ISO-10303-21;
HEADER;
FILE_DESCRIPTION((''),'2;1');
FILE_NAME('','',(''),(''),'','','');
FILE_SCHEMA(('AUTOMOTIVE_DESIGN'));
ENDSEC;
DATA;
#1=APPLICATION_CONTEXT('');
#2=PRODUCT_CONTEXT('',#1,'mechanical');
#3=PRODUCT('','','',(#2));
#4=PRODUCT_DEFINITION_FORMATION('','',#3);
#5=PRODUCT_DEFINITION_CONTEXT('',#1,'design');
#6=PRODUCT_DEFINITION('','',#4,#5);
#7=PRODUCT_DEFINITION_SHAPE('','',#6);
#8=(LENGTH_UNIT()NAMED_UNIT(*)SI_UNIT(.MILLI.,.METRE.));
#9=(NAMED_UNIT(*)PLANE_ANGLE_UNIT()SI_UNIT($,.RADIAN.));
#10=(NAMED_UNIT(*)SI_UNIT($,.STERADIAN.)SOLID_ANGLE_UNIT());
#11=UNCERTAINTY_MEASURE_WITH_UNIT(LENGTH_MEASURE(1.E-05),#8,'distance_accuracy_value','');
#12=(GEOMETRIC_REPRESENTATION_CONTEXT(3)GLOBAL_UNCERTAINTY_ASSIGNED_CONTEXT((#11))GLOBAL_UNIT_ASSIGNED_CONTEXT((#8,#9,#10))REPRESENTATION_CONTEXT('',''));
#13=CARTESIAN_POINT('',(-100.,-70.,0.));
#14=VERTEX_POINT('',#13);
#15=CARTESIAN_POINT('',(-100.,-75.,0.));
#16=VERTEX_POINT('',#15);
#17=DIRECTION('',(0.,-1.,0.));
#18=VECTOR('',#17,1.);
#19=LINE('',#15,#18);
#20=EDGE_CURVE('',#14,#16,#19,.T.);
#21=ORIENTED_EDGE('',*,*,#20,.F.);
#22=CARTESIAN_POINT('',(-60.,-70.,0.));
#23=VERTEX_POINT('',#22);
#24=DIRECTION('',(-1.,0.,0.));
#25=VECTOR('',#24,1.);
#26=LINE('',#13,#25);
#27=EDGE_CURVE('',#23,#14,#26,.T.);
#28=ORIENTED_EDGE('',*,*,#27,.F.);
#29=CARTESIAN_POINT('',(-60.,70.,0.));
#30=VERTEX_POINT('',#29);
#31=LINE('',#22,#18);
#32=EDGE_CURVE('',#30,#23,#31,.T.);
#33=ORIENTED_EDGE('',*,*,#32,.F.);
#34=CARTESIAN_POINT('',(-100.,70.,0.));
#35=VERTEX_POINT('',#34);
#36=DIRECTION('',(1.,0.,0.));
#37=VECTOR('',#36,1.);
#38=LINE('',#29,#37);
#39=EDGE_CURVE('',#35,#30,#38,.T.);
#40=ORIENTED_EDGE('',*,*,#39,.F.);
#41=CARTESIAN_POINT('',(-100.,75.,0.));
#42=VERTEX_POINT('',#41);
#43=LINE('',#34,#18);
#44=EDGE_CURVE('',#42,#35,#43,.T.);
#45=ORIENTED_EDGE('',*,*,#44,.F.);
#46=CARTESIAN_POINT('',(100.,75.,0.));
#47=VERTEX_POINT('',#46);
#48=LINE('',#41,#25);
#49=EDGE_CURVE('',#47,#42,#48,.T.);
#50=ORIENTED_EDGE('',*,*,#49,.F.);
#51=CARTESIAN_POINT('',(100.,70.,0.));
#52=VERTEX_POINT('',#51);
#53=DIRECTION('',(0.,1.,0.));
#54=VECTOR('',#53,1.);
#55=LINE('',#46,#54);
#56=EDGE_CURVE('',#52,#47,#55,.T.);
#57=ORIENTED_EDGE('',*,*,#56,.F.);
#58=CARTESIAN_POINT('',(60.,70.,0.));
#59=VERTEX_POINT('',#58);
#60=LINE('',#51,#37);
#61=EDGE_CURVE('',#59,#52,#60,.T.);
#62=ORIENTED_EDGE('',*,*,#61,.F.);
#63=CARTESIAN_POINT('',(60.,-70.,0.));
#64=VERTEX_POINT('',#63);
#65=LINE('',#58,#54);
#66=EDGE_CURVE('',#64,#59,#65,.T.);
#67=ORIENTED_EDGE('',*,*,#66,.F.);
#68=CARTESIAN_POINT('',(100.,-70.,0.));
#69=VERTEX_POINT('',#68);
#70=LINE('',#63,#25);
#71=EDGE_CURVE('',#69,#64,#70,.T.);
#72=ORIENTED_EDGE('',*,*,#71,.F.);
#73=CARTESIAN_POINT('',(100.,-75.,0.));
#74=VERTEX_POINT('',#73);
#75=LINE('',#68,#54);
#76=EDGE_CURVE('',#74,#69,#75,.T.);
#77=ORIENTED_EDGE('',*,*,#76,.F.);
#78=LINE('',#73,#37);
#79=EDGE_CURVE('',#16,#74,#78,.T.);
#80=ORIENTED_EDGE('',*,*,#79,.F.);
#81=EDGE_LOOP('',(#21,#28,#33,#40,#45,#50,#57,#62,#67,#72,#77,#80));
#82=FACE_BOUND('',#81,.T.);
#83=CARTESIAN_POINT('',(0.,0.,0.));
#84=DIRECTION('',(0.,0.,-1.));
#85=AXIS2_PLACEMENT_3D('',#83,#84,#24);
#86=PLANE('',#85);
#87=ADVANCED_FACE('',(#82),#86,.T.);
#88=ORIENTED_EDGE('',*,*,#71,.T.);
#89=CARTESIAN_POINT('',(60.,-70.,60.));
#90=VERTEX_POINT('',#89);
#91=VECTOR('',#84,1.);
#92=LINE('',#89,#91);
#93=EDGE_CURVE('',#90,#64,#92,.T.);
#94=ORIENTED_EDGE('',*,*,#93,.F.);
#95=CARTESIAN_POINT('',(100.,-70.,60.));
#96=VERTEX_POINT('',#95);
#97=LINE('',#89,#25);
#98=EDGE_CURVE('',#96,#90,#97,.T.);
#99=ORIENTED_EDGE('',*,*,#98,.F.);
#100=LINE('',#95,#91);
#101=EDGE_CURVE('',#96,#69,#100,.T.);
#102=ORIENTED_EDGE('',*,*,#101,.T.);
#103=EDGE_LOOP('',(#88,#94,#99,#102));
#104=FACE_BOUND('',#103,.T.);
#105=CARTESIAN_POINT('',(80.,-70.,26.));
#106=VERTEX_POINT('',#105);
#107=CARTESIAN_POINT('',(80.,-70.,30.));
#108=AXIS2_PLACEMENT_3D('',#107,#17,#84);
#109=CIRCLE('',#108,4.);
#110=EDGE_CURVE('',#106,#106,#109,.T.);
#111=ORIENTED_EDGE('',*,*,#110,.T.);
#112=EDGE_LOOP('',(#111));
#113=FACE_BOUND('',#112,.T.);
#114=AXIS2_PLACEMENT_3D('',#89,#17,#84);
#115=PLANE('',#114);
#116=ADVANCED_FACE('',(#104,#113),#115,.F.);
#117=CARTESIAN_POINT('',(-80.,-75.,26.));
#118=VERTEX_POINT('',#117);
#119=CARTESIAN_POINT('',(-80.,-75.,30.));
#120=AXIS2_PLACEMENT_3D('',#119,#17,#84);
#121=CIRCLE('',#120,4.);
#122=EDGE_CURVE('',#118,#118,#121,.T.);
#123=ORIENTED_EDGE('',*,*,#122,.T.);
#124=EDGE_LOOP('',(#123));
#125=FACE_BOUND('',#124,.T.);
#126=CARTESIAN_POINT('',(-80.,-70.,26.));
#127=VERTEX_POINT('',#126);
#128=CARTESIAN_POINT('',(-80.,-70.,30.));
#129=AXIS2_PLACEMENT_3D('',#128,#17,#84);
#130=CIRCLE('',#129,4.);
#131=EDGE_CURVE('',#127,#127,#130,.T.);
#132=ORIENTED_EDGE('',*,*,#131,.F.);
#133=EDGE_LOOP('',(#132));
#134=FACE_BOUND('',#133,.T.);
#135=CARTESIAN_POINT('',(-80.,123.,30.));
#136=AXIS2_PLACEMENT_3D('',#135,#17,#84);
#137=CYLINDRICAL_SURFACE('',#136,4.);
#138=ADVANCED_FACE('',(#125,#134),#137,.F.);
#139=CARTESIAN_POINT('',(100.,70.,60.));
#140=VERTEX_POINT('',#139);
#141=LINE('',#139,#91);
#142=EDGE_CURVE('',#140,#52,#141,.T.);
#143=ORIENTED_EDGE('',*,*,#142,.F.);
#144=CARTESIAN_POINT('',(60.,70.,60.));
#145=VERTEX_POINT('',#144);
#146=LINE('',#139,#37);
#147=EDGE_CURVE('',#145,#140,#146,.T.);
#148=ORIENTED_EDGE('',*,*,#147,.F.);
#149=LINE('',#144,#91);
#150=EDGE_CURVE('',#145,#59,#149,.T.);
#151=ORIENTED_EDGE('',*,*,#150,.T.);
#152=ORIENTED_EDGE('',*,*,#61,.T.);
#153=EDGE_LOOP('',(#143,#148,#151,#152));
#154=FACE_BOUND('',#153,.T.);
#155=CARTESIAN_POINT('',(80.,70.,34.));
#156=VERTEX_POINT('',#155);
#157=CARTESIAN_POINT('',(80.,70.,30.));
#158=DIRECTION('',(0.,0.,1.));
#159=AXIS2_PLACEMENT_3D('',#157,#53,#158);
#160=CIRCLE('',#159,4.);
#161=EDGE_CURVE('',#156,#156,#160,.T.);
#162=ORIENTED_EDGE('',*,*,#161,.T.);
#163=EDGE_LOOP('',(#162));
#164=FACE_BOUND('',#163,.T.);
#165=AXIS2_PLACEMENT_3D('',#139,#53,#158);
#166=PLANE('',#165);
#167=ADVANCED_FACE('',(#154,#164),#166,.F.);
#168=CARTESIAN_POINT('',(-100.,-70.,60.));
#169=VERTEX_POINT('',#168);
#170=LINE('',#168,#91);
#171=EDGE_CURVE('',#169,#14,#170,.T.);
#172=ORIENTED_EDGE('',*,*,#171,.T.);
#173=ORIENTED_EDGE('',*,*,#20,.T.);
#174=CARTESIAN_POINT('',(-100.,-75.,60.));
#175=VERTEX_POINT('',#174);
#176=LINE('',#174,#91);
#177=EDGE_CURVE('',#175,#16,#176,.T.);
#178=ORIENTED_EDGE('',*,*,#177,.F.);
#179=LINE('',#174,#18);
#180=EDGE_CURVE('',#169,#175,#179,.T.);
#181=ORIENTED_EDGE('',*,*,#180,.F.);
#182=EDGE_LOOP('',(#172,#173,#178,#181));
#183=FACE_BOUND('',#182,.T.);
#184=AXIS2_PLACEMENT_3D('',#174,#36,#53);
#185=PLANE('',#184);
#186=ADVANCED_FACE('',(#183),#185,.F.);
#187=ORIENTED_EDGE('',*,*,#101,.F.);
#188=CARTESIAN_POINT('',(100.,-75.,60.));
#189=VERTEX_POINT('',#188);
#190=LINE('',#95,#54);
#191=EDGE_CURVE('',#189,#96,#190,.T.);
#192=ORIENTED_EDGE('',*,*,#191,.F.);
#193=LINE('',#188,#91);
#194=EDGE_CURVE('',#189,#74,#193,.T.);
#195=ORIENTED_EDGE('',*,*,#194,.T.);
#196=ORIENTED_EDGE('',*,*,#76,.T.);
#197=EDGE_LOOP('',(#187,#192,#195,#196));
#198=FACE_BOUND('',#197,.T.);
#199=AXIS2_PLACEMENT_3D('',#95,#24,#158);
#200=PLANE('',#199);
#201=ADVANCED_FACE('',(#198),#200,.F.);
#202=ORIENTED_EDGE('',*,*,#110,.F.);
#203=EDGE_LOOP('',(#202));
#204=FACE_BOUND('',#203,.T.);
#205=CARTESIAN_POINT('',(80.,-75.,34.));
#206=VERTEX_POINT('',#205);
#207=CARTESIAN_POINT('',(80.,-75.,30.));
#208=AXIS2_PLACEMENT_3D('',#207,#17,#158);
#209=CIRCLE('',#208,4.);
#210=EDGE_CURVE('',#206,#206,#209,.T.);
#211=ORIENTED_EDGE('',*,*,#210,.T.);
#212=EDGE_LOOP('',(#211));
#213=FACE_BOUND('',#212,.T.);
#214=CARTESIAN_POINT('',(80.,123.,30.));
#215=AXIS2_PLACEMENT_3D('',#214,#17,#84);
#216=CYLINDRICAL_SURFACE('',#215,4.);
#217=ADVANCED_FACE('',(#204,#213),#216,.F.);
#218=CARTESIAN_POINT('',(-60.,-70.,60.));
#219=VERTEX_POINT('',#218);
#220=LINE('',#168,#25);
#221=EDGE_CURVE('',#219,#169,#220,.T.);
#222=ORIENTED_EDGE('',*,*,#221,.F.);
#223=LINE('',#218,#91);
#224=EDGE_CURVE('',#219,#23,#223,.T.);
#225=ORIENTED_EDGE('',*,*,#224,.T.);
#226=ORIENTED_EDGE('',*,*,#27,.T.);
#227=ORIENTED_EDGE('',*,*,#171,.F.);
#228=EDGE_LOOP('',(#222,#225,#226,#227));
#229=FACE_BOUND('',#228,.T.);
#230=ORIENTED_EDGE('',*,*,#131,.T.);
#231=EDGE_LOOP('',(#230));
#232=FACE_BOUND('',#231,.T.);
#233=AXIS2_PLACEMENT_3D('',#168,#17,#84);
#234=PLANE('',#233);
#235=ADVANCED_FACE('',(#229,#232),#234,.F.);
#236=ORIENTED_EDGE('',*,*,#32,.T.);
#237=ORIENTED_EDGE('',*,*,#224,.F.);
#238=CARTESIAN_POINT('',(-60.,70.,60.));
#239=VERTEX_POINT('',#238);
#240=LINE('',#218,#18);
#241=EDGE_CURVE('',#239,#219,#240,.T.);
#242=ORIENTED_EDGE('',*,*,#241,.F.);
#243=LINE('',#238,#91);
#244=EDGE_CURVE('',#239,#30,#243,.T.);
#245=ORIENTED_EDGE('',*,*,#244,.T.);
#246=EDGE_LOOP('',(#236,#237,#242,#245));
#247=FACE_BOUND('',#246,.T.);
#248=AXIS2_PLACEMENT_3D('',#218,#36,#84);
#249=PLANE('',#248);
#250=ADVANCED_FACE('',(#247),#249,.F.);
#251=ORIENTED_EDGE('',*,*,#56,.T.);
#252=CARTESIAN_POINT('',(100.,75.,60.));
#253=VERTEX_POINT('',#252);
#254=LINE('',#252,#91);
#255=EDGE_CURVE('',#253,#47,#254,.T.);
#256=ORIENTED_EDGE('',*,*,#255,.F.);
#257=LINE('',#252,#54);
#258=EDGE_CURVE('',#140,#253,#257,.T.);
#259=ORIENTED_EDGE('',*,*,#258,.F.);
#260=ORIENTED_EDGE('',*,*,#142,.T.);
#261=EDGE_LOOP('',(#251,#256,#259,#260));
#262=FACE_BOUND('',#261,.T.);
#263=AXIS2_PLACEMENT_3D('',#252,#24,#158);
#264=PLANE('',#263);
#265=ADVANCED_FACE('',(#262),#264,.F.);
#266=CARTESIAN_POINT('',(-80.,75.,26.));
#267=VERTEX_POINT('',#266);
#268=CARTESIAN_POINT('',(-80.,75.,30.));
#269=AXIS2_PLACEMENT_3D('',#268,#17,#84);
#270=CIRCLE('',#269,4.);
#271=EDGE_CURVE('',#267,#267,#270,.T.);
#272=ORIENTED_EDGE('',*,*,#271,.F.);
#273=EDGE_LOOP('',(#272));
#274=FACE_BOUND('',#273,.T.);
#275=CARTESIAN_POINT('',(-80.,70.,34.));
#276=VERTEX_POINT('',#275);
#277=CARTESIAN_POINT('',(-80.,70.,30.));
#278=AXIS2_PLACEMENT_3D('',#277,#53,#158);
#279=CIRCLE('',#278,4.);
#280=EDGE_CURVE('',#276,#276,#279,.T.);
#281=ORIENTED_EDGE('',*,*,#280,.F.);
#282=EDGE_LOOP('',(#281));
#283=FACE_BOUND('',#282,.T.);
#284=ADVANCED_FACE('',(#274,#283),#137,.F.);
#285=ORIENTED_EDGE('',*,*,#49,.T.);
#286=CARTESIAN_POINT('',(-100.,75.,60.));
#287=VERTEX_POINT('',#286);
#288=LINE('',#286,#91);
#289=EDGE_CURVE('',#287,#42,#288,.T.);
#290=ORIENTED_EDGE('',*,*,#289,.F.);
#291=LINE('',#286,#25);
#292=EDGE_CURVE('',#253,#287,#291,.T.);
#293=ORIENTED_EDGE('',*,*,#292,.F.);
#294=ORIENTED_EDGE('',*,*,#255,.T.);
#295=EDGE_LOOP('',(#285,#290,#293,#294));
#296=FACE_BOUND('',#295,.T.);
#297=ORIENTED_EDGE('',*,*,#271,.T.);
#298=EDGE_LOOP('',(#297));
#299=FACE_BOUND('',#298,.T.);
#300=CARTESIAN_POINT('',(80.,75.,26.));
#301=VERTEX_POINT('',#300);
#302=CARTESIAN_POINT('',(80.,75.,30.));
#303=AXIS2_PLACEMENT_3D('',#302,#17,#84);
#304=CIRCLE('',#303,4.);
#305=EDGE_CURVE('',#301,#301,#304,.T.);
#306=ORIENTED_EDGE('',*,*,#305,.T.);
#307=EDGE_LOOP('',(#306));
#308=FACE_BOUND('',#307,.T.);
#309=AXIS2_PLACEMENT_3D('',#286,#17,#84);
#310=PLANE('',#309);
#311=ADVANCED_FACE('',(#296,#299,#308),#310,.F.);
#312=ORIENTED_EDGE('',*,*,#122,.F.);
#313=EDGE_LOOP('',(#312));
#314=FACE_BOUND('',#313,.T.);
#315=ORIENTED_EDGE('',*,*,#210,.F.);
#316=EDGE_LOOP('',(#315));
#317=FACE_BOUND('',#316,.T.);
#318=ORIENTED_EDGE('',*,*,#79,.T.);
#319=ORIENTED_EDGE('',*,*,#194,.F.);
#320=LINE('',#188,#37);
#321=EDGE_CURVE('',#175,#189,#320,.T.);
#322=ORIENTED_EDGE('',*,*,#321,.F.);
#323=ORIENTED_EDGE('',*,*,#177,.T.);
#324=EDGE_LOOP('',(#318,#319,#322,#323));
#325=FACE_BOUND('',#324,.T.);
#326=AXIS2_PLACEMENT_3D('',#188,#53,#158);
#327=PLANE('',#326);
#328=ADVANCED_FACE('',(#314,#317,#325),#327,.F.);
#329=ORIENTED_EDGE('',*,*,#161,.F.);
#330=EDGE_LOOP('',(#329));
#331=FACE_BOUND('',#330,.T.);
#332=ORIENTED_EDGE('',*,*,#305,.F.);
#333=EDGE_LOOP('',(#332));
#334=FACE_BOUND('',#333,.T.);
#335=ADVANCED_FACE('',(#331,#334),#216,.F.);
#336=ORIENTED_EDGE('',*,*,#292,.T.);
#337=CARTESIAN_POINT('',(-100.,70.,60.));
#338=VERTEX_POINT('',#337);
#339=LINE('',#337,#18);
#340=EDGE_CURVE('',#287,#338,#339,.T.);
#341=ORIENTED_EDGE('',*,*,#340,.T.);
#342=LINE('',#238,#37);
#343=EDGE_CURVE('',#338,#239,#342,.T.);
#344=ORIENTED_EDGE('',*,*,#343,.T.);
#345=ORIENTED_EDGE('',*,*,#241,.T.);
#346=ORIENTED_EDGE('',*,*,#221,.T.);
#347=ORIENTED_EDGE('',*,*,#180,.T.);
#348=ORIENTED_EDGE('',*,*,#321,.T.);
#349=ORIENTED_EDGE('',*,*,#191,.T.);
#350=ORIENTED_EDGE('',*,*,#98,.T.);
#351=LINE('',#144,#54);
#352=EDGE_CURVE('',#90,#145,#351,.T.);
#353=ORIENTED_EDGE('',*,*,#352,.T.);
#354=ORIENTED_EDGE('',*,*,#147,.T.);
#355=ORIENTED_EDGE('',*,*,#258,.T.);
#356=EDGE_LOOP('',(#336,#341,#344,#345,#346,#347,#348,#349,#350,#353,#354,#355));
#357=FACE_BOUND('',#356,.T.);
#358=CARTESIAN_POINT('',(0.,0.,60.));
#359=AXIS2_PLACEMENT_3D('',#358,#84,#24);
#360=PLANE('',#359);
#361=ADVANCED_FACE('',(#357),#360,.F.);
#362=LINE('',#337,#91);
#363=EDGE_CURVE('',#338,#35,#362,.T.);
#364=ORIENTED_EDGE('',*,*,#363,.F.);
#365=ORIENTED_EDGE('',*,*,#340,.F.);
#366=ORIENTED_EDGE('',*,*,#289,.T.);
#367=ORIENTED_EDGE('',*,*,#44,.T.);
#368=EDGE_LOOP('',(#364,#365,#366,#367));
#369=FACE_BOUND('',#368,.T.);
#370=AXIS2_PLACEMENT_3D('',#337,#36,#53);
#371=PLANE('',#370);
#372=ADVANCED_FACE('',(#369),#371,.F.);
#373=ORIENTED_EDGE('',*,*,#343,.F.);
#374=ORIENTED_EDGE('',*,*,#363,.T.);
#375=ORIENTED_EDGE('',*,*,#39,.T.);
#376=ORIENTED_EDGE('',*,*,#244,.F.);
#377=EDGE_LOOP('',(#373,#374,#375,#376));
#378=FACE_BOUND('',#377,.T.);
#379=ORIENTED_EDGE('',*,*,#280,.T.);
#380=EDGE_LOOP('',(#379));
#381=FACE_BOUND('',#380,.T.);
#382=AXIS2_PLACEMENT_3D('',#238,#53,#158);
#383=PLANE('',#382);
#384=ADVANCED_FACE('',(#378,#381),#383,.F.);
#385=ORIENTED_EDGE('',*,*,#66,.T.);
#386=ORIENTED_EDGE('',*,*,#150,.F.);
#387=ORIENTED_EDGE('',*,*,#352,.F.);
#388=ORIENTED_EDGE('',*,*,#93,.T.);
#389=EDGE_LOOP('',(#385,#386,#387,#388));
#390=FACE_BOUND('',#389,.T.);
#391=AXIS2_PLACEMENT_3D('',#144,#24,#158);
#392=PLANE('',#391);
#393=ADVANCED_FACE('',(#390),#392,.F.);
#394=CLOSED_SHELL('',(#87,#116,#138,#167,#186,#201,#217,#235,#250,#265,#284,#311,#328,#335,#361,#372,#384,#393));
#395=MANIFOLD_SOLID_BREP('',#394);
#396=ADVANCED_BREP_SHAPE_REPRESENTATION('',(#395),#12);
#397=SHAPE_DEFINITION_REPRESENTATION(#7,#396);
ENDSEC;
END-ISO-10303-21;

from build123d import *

# Parameters (mm, degrees)
EXTRUDE_1_DEPTH     = 60
SKETCH_4_R          = 4
CUT_EXTRUDE_3_DEPTH = 198


with BuildPart() as part:
    # 草图1 → 凸台-拉伸1 (new body)
    with BuildSketch(Plane.XY):
        Polygon((-100, 75), (100, 75), (100, 70), (60, 70), (60, -70), (100, -70), (100, -75), (-100, -75), (-100, -70), (-60, -70), (-60, 70), (-100, 70), align=None)
    extrude(amount=EXTRUDE_1_DEPTH)

    # 草图4 → 切除-拉伸3 (cut)
    with BuildSketch(Plane.XZ.offset(75)):
        with Locations(Location((-80, 30, 0), (0, 0, 270))):
            Circle(SKETCH_4_R)
        with Locations(Location((80, 30, 0), (0, 0, 270))):
            Circle(SKETCH_4_R)
    extrude(amount=-CUT_EXTRUDE_3_DEPTH, mode=Mode.SUBTRACT)


solid = part.part
